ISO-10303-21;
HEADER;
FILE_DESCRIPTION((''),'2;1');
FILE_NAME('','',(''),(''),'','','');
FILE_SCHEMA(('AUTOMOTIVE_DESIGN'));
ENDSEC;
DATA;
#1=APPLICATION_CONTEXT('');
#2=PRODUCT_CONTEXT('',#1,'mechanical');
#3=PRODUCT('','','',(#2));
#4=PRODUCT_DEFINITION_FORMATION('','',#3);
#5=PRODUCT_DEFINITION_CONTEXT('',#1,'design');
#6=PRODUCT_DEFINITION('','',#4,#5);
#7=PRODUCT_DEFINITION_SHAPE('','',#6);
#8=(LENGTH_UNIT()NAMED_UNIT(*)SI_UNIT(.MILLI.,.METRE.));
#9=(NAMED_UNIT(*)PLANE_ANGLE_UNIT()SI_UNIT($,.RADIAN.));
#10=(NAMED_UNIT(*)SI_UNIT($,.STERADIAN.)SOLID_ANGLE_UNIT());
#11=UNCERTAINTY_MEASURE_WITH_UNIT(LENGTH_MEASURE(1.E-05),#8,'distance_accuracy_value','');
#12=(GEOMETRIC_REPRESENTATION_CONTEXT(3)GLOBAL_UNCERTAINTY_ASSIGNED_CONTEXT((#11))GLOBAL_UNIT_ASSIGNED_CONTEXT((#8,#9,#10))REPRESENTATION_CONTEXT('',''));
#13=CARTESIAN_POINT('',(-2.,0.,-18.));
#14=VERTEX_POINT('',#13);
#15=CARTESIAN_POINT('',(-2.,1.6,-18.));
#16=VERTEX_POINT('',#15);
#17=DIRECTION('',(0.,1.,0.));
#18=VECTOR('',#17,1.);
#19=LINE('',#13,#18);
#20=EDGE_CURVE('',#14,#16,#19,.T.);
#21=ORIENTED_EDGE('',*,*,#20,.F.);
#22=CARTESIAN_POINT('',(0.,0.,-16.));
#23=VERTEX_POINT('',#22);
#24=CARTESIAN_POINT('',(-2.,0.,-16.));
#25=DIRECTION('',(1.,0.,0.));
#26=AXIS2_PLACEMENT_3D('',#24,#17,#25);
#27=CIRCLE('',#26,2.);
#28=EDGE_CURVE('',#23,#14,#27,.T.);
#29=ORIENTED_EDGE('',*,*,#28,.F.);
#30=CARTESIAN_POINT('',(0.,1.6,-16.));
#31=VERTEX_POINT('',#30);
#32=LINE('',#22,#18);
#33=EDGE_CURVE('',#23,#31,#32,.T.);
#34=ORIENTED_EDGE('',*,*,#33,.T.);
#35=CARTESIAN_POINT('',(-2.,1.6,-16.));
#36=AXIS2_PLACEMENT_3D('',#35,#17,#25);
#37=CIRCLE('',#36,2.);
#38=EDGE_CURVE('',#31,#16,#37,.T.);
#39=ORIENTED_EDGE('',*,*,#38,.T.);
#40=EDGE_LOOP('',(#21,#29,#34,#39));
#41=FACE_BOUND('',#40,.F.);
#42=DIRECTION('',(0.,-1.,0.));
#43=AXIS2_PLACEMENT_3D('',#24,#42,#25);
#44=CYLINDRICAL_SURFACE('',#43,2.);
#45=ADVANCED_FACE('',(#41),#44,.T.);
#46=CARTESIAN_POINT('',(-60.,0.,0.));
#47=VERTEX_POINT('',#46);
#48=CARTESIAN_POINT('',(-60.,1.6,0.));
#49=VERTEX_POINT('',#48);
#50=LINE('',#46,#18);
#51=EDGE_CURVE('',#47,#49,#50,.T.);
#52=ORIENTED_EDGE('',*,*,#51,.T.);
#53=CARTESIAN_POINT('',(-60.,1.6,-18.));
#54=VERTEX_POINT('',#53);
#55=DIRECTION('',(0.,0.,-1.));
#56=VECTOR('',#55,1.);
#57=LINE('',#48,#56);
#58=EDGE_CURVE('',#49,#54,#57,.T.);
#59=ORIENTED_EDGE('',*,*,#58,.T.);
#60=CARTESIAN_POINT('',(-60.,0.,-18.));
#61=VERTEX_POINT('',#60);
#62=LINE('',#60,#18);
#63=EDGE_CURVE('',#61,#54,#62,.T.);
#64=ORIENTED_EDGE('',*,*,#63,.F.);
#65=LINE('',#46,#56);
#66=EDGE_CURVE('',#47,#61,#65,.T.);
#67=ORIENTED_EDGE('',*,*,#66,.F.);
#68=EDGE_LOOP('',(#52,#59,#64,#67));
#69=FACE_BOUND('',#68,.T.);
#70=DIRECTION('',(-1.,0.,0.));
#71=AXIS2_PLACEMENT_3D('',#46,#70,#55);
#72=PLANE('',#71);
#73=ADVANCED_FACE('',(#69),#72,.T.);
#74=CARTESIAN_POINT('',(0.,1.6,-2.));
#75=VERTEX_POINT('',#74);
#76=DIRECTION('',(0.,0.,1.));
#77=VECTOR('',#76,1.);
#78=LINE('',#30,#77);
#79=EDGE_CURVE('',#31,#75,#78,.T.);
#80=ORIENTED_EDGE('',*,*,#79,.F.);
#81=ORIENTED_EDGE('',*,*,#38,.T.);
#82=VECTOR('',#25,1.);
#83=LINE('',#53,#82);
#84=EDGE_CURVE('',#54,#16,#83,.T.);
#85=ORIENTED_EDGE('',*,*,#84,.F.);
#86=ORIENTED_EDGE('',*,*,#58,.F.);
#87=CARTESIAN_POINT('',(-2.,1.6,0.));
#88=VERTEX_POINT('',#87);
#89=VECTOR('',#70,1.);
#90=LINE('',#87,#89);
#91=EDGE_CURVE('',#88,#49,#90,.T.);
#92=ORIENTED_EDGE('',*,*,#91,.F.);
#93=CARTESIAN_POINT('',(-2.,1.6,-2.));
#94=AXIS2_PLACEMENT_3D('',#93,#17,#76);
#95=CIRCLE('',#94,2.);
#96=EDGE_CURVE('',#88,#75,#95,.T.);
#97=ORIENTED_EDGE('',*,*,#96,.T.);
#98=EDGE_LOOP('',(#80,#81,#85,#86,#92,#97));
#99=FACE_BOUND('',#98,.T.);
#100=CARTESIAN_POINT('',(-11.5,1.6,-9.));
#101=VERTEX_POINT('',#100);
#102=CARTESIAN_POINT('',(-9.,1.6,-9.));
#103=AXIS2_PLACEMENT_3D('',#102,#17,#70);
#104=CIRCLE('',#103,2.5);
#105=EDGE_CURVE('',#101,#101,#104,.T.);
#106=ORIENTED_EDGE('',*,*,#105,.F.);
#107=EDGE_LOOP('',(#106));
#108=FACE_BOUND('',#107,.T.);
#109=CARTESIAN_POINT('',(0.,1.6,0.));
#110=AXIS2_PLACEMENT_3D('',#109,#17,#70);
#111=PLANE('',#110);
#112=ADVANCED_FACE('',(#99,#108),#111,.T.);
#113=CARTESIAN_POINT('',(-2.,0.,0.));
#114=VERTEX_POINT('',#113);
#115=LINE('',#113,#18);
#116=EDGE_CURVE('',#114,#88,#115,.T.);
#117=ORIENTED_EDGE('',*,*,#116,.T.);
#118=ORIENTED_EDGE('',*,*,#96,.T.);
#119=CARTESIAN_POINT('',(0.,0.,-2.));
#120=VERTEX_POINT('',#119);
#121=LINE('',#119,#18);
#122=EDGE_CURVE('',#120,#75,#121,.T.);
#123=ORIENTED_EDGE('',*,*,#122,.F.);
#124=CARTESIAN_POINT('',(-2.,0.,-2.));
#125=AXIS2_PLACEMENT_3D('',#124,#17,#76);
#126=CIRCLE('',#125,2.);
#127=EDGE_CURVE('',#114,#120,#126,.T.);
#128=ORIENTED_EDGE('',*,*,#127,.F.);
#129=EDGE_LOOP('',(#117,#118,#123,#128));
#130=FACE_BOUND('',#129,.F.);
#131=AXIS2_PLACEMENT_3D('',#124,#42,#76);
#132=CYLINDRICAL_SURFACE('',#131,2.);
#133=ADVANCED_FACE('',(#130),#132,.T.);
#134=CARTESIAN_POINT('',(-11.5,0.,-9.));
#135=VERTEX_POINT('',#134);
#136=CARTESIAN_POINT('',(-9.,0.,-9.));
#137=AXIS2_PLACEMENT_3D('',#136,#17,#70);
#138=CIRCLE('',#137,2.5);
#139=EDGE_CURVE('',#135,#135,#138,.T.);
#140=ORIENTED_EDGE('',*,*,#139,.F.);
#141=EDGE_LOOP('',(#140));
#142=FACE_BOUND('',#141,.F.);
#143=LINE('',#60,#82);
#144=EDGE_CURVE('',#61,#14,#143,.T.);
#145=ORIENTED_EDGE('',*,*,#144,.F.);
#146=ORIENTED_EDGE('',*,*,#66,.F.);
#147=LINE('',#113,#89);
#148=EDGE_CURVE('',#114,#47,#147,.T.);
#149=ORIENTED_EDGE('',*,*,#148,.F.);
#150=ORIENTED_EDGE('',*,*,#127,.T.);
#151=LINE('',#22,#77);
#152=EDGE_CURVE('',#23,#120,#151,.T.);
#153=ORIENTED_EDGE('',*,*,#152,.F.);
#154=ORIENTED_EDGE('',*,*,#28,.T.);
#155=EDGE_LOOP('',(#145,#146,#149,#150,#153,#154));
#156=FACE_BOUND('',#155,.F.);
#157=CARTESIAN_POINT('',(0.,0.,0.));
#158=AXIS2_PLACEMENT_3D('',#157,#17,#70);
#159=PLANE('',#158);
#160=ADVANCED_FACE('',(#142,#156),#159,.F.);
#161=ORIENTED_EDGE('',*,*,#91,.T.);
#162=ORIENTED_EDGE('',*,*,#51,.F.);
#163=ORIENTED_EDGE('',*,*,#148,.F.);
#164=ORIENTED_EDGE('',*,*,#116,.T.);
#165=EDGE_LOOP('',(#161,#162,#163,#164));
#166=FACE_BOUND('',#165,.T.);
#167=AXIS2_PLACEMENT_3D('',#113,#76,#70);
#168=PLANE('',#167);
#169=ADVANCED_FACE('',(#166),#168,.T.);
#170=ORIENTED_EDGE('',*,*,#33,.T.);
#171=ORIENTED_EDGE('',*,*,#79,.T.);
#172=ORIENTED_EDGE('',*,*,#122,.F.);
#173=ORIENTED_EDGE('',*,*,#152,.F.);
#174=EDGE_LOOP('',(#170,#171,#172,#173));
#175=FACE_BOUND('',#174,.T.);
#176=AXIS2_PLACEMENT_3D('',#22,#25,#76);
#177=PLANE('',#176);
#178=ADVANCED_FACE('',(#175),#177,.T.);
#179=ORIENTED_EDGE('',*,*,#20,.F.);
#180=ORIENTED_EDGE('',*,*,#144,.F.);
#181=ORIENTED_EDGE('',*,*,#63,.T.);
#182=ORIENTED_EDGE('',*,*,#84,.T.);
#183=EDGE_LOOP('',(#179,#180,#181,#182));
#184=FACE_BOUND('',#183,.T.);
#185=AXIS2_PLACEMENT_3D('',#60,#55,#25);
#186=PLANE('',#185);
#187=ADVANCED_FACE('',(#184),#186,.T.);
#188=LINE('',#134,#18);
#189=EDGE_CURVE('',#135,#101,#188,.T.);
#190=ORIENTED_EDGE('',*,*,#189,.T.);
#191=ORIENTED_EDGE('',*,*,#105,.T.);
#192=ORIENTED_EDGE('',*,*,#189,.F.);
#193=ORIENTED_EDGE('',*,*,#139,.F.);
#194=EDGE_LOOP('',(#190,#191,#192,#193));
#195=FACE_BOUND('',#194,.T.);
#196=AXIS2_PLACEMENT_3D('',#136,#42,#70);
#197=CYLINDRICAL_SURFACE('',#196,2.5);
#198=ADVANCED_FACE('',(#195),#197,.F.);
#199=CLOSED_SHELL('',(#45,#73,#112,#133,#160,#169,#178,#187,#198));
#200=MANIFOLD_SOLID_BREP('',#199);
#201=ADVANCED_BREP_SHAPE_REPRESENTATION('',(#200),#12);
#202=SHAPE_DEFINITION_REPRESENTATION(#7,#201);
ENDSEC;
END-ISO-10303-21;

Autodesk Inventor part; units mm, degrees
ref_plane "YZ Plane" through (0, 0, 0) normal (1, 0, 0) x (0, 1, 0)
ref_plane "XZ Plane" through (0, 0, 0) normal (0, 1, 0) x (-1, 0, 0)
ref_plane "XY Plane" through (0, 0, 0) normal (0, 0, 1) x (1, 0, 0)
sketch "Szkic1" plane through (0, 0, 0) normal (0, 1, 0) x (-1, 0, 0)
  line L0 (2, 0) -> (60, 0)
  line L1 (60, 0) -> (60, -18)
  line L2 (60, -18) -> (2, -18)
  line L3 (0, -16) -> (0, -2)
  circle A0 centre (9, -9) radius 2.5
  arc A1 (0, -16) -> (2, -18) centre (2, -16) ccw
  arc A2 (2, 0) -> (0, -2) centre (2, -2) ccw
  point P0 (0, 0)
  point P1 (0, -18)
  dimension "d0" = 60
  dimension "d1" = 18
  dimension "d2" = 5
  dimension "d3" = 9
  dimension "d4" = 9
  dimension "d5" = 2
extrude "Wyciągnięcie proste1" add sketch "Szkic1" along normal blind 1.6
equation "\"d4\" = 0.5 * d1"
properties part number "ramie3"
